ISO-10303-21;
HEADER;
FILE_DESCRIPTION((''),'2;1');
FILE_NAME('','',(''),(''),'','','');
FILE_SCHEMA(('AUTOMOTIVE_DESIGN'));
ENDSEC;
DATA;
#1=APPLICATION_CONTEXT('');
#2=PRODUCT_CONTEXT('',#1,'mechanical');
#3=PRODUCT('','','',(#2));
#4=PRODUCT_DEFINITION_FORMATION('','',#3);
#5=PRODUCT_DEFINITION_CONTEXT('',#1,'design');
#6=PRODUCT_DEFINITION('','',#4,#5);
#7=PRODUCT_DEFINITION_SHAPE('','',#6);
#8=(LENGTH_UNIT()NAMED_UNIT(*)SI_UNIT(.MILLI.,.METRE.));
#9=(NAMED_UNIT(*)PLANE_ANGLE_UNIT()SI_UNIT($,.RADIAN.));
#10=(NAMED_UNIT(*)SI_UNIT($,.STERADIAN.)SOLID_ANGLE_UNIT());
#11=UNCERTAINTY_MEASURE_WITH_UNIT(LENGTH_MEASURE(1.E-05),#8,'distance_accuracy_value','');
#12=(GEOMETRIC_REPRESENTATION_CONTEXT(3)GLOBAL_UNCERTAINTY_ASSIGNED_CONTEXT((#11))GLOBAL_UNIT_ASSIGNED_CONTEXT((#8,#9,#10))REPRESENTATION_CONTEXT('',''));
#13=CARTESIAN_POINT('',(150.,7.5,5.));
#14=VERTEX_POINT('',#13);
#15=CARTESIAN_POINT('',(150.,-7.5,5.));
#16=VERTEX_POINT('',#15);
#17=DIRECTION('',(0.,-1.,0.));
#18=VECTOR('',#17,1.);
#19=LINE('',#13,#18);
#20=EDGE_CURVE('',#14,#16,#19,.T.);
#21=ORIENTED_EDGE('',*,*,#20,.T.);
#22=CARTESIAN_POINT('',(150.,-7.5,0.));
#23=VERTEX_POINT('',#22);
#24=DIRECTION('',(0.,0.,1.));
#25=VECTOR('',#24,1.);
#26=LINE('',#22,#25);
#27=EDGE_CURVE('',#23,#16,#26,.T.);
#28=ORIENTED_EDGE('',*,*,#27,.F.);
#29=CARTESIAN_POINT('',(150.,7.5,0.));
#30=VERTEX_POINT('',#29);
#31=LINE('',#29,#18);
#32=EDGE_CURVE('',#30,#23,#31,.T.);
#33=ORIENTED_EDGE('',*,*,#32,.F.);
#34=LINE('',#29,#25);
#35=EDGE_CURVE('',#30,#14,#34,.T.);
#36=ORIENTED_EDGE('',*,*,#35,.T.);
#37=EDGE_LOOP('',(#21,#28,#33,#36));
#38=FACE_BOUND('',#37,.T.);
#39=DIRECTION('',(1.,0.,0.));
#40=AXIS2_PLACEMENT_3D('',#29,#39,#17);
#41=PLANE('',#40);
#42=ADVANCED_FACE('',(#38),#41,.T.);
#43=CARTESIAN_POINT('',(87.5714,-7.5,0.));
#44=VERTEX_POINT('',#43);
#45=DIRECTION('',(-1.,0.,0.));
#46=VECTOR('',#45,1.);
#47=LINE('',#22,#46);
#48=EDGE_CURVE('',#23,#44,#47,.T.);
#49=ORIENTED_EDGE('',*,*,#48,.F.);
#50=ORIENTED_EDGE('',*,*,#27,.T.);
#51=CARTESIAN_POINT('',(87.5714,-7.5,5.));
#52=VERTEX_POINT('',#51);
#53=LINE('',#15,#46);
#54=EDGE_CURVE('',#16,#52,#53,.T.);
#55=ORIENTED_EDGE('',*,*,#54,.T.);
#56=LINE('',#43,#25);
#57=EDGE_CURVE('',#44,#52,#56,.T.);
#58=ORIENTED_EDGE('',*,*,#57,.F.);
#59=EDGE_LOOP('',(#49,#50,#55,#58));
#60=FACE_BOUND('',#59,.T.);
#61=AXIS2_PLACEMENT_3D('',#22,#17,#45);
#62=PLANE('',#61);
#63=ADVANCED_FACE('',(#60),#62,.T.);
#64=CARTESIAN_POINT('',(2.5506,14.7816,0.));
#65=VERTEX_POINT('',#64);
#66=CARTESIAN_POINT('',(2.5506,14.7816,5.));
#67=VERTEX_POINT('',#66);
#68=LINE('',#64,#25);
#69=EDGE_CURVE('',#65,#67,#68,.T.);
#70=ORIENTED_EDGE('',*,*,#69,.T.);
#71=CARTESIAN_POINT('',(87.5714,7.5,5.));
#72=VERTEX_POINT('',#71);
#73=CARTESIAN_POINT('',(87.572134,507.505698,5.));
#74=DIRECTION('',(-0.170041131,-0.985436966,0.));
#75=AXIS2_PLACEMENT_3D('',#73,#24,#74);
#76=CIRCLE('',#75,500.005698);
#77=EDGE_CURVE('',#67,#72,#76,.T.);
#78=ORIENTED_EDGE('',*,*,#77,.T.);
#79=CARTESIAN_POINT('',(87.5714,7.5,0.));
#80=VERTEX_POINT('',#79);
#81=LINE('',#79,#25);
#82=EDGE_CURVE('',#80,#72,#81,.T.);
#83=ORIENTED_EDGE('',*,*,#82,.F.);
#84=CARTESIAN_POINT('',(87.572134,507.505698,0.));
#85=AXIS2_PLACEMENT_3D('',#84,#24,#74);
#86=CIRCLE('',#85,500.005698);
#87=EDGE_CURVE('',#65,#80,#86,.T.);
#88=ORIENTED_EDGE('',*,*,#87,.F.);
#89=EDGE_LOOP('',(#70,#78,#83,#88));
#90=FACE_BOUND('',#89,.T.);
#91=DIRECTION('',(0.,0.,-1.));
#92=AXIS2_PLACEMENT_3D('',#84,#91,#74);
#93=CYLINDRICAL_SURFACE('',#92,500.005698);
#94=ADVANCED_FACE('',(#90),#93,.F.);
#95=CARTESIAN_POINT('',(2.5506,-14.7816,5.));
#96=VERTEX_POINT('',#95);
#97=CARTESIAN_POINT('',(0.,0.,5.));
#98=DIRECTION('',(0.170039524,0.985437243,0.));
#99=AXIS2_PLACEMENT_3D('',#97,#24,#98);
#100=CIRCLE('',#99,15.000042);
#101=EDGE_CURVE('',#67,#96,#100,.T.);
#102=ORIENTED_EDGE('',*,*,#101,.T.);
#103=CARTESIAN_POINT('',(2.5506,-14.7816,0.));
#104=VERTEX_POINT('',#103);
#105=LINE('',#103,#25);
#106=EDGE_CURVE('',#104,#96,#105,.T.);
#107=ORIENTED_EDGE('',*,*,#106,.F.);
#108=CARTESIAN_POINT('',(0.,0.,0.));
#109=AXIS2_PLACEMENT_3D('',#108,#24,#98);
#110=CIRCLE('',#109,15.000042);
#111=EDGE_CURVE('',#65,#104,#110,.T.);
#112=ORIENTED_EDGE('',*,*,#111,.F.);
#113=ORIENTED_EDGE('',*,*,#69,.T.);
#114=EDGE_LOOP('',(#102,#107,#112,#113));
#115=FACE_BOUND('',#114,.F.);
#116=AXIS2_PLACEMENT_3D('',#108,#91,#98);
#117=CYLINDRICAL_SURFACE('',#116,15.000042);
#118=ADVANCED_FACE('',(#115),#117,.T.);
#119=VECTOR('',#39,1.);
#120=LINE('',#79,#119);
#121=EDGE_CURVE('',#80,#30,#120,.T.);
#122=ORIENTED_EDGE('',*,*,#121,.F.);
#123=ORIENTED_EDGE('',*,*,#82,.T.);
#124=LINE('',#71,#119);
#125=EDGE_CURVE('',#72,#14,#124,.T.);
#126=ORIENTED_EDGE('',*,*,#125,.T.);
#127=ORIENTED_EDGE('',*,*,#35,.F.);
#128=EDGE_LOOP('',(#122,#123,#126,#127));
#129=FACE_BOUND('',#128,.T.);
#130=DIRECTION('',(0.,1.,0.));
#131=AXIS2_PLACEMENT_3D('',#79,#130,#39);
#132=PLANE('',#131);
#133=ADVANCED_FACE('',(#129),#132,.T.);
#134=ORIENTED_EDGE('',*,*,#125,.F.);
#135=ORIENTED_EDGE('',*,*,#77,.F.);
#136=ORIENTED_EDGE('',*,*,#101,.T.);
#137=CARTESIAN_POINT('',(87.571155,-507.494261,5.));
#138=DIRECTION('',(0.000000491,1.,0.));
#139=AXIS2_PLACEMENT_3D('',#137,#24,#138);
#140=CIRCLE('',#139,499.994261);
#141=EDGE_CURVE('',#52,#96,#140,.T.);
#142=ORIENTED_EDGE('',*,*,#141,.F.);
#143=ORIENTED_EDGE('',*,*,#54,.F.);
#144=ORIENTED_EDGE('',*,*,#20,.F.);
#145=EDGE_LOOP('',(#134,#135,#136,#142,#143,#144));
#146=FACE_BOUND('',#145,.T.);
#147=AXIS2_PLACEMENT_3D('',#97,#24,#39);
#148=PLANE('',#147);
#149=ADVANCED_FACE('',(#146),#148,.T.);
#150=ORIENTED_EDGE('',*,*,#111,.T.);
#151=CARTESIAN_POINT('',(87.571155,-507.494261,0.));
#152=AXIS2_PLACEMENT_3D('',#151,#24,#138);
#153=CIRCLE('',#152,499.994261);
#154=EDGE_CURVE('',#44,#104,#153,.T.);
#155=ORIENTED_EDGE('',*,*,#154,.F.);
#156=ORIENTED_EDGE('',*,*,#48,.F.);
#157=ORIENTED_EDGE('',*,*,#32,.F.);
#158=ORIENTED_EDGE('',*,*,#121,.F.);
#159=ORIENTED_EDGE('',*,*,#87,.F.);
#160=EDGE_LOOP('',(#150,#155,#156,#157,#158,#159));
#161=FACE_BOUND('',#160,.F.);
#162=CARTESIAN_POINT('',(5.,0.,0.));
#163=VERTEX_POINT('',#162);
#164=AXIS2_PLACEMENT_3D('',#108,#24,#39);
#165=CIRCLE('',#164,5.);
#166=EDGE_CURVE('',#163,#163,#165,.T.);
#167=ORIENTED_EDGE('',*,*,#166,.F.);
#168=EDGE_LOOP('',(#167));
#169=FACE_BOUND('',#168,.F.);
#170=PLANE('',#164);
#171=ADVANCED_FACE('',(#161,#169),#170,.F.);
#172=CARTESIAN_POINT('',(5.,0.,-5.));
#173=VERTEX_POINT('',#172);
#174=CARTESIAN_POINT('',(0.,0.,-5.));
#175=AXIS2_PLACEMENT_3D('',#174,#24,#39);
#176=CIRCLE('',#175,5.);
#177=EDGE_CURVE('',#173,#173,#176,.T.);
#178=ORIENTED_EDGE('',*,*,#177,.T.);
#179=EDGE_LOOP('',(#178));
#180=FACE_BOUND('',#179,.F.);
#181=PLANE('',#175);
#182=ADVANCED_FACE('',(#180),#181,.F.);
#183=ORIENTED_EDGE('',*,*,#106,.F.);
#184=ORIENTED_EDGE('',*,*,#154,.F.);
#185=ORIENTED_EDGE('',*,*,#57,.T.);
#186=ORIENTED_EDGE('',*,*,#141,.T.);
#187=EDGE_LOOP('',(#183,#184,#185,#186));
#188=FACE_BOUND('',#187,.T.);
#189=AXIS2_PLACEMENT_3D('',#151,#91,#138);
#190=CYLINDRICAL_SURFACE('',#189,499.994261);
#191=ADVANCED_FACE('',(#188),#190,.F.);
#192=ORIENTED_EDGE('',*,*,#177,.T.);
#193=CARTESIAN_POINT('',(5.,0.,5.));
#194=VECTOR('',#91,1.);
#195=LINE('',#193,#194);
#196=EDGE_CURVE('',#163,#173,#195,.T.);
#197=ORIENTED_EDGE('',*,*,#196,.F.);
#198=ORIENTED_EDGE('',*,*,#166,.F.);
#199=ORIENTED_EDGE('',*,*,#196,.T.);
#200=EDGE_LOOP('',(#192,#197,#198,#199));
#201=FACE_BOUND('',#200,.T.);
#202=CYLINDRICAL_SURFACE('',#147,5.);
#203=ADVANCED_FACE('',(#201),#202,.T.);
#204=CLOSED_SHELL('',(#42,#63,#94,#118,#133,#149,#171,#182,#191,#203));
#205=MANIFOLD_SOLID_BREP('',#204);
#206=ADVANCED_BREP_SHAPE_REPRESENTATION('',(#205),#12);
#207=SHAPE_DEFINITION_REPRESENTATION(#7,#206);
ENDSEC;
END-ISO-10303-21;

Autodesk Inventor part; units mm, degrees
ref_plane "YZ Plane" through (0, 0, 0) normal (1, 0, 0) x (0, 1, 0)
ref_plane "XZ Plane" through (0, 0, 0) normal (0, 1, 0) x (-1, 0, 0)
ref_plane "XY Plane" through (0, 0, 0) normal (0, 0, 1) x (1, 0, 0)
sketch "Эскиз1" plane through (0, 0, 0) normal (0, 0, 1) x (1, 0, 0)
  arc A0 (2.5506, 14.7816) -> (2.5506, -14.7816) centre (0, 0) ccw
  line L0 (87.5714, 7.5) -> (150, 7.5)
  line L1 (150, 7.5) -> (150, -7.5)
  line L2 (150, -7.5) -> (87.5714, -7.5)
  arc A1 (2.5506, 14.7816) -> (87.5714, 7.5) centre (87.5714, 507.5) ccw
  arc A2 (87.5714, -7.5) -> (2.5506, -14.7816) centre (87.5714, -507.5) ccw
  point P0 (12.9904, 7.5)
  point P1 (12.9904, -7.5)
  point P2 (12.9904, 7.5)
  point P3 (12.9904, -7.5)
  dimension "d0" = 30
  dimension "d1" = 150
  dimension "d13" = 15
  dimension "d14" = 7.5
  dimension "d19" = 500
extrude "Выдавливание1" add sketch "Эскиз1" along normal blind 5
sketch "Эскиз2" plane through (0, 0, 5) normal (0, 0, 1) x (1, 0, 0)
  arc A0 (2.5506, 14.7816) -> (2.5506, -14.7816) centre (0, 0) ccw projected
  circle A1 centre (0, 0) radius 5
  point P0 (7.7262, 12.8571)
  point P1 (7.7262, -12.8571)
  dimension "d16" = 10
extrude "Выдавливание2" add sketch "Эскиз2" against normal blind 10
equation "\"d14\" = 0.5 * d13"
properties part number "Рычаг_2"
